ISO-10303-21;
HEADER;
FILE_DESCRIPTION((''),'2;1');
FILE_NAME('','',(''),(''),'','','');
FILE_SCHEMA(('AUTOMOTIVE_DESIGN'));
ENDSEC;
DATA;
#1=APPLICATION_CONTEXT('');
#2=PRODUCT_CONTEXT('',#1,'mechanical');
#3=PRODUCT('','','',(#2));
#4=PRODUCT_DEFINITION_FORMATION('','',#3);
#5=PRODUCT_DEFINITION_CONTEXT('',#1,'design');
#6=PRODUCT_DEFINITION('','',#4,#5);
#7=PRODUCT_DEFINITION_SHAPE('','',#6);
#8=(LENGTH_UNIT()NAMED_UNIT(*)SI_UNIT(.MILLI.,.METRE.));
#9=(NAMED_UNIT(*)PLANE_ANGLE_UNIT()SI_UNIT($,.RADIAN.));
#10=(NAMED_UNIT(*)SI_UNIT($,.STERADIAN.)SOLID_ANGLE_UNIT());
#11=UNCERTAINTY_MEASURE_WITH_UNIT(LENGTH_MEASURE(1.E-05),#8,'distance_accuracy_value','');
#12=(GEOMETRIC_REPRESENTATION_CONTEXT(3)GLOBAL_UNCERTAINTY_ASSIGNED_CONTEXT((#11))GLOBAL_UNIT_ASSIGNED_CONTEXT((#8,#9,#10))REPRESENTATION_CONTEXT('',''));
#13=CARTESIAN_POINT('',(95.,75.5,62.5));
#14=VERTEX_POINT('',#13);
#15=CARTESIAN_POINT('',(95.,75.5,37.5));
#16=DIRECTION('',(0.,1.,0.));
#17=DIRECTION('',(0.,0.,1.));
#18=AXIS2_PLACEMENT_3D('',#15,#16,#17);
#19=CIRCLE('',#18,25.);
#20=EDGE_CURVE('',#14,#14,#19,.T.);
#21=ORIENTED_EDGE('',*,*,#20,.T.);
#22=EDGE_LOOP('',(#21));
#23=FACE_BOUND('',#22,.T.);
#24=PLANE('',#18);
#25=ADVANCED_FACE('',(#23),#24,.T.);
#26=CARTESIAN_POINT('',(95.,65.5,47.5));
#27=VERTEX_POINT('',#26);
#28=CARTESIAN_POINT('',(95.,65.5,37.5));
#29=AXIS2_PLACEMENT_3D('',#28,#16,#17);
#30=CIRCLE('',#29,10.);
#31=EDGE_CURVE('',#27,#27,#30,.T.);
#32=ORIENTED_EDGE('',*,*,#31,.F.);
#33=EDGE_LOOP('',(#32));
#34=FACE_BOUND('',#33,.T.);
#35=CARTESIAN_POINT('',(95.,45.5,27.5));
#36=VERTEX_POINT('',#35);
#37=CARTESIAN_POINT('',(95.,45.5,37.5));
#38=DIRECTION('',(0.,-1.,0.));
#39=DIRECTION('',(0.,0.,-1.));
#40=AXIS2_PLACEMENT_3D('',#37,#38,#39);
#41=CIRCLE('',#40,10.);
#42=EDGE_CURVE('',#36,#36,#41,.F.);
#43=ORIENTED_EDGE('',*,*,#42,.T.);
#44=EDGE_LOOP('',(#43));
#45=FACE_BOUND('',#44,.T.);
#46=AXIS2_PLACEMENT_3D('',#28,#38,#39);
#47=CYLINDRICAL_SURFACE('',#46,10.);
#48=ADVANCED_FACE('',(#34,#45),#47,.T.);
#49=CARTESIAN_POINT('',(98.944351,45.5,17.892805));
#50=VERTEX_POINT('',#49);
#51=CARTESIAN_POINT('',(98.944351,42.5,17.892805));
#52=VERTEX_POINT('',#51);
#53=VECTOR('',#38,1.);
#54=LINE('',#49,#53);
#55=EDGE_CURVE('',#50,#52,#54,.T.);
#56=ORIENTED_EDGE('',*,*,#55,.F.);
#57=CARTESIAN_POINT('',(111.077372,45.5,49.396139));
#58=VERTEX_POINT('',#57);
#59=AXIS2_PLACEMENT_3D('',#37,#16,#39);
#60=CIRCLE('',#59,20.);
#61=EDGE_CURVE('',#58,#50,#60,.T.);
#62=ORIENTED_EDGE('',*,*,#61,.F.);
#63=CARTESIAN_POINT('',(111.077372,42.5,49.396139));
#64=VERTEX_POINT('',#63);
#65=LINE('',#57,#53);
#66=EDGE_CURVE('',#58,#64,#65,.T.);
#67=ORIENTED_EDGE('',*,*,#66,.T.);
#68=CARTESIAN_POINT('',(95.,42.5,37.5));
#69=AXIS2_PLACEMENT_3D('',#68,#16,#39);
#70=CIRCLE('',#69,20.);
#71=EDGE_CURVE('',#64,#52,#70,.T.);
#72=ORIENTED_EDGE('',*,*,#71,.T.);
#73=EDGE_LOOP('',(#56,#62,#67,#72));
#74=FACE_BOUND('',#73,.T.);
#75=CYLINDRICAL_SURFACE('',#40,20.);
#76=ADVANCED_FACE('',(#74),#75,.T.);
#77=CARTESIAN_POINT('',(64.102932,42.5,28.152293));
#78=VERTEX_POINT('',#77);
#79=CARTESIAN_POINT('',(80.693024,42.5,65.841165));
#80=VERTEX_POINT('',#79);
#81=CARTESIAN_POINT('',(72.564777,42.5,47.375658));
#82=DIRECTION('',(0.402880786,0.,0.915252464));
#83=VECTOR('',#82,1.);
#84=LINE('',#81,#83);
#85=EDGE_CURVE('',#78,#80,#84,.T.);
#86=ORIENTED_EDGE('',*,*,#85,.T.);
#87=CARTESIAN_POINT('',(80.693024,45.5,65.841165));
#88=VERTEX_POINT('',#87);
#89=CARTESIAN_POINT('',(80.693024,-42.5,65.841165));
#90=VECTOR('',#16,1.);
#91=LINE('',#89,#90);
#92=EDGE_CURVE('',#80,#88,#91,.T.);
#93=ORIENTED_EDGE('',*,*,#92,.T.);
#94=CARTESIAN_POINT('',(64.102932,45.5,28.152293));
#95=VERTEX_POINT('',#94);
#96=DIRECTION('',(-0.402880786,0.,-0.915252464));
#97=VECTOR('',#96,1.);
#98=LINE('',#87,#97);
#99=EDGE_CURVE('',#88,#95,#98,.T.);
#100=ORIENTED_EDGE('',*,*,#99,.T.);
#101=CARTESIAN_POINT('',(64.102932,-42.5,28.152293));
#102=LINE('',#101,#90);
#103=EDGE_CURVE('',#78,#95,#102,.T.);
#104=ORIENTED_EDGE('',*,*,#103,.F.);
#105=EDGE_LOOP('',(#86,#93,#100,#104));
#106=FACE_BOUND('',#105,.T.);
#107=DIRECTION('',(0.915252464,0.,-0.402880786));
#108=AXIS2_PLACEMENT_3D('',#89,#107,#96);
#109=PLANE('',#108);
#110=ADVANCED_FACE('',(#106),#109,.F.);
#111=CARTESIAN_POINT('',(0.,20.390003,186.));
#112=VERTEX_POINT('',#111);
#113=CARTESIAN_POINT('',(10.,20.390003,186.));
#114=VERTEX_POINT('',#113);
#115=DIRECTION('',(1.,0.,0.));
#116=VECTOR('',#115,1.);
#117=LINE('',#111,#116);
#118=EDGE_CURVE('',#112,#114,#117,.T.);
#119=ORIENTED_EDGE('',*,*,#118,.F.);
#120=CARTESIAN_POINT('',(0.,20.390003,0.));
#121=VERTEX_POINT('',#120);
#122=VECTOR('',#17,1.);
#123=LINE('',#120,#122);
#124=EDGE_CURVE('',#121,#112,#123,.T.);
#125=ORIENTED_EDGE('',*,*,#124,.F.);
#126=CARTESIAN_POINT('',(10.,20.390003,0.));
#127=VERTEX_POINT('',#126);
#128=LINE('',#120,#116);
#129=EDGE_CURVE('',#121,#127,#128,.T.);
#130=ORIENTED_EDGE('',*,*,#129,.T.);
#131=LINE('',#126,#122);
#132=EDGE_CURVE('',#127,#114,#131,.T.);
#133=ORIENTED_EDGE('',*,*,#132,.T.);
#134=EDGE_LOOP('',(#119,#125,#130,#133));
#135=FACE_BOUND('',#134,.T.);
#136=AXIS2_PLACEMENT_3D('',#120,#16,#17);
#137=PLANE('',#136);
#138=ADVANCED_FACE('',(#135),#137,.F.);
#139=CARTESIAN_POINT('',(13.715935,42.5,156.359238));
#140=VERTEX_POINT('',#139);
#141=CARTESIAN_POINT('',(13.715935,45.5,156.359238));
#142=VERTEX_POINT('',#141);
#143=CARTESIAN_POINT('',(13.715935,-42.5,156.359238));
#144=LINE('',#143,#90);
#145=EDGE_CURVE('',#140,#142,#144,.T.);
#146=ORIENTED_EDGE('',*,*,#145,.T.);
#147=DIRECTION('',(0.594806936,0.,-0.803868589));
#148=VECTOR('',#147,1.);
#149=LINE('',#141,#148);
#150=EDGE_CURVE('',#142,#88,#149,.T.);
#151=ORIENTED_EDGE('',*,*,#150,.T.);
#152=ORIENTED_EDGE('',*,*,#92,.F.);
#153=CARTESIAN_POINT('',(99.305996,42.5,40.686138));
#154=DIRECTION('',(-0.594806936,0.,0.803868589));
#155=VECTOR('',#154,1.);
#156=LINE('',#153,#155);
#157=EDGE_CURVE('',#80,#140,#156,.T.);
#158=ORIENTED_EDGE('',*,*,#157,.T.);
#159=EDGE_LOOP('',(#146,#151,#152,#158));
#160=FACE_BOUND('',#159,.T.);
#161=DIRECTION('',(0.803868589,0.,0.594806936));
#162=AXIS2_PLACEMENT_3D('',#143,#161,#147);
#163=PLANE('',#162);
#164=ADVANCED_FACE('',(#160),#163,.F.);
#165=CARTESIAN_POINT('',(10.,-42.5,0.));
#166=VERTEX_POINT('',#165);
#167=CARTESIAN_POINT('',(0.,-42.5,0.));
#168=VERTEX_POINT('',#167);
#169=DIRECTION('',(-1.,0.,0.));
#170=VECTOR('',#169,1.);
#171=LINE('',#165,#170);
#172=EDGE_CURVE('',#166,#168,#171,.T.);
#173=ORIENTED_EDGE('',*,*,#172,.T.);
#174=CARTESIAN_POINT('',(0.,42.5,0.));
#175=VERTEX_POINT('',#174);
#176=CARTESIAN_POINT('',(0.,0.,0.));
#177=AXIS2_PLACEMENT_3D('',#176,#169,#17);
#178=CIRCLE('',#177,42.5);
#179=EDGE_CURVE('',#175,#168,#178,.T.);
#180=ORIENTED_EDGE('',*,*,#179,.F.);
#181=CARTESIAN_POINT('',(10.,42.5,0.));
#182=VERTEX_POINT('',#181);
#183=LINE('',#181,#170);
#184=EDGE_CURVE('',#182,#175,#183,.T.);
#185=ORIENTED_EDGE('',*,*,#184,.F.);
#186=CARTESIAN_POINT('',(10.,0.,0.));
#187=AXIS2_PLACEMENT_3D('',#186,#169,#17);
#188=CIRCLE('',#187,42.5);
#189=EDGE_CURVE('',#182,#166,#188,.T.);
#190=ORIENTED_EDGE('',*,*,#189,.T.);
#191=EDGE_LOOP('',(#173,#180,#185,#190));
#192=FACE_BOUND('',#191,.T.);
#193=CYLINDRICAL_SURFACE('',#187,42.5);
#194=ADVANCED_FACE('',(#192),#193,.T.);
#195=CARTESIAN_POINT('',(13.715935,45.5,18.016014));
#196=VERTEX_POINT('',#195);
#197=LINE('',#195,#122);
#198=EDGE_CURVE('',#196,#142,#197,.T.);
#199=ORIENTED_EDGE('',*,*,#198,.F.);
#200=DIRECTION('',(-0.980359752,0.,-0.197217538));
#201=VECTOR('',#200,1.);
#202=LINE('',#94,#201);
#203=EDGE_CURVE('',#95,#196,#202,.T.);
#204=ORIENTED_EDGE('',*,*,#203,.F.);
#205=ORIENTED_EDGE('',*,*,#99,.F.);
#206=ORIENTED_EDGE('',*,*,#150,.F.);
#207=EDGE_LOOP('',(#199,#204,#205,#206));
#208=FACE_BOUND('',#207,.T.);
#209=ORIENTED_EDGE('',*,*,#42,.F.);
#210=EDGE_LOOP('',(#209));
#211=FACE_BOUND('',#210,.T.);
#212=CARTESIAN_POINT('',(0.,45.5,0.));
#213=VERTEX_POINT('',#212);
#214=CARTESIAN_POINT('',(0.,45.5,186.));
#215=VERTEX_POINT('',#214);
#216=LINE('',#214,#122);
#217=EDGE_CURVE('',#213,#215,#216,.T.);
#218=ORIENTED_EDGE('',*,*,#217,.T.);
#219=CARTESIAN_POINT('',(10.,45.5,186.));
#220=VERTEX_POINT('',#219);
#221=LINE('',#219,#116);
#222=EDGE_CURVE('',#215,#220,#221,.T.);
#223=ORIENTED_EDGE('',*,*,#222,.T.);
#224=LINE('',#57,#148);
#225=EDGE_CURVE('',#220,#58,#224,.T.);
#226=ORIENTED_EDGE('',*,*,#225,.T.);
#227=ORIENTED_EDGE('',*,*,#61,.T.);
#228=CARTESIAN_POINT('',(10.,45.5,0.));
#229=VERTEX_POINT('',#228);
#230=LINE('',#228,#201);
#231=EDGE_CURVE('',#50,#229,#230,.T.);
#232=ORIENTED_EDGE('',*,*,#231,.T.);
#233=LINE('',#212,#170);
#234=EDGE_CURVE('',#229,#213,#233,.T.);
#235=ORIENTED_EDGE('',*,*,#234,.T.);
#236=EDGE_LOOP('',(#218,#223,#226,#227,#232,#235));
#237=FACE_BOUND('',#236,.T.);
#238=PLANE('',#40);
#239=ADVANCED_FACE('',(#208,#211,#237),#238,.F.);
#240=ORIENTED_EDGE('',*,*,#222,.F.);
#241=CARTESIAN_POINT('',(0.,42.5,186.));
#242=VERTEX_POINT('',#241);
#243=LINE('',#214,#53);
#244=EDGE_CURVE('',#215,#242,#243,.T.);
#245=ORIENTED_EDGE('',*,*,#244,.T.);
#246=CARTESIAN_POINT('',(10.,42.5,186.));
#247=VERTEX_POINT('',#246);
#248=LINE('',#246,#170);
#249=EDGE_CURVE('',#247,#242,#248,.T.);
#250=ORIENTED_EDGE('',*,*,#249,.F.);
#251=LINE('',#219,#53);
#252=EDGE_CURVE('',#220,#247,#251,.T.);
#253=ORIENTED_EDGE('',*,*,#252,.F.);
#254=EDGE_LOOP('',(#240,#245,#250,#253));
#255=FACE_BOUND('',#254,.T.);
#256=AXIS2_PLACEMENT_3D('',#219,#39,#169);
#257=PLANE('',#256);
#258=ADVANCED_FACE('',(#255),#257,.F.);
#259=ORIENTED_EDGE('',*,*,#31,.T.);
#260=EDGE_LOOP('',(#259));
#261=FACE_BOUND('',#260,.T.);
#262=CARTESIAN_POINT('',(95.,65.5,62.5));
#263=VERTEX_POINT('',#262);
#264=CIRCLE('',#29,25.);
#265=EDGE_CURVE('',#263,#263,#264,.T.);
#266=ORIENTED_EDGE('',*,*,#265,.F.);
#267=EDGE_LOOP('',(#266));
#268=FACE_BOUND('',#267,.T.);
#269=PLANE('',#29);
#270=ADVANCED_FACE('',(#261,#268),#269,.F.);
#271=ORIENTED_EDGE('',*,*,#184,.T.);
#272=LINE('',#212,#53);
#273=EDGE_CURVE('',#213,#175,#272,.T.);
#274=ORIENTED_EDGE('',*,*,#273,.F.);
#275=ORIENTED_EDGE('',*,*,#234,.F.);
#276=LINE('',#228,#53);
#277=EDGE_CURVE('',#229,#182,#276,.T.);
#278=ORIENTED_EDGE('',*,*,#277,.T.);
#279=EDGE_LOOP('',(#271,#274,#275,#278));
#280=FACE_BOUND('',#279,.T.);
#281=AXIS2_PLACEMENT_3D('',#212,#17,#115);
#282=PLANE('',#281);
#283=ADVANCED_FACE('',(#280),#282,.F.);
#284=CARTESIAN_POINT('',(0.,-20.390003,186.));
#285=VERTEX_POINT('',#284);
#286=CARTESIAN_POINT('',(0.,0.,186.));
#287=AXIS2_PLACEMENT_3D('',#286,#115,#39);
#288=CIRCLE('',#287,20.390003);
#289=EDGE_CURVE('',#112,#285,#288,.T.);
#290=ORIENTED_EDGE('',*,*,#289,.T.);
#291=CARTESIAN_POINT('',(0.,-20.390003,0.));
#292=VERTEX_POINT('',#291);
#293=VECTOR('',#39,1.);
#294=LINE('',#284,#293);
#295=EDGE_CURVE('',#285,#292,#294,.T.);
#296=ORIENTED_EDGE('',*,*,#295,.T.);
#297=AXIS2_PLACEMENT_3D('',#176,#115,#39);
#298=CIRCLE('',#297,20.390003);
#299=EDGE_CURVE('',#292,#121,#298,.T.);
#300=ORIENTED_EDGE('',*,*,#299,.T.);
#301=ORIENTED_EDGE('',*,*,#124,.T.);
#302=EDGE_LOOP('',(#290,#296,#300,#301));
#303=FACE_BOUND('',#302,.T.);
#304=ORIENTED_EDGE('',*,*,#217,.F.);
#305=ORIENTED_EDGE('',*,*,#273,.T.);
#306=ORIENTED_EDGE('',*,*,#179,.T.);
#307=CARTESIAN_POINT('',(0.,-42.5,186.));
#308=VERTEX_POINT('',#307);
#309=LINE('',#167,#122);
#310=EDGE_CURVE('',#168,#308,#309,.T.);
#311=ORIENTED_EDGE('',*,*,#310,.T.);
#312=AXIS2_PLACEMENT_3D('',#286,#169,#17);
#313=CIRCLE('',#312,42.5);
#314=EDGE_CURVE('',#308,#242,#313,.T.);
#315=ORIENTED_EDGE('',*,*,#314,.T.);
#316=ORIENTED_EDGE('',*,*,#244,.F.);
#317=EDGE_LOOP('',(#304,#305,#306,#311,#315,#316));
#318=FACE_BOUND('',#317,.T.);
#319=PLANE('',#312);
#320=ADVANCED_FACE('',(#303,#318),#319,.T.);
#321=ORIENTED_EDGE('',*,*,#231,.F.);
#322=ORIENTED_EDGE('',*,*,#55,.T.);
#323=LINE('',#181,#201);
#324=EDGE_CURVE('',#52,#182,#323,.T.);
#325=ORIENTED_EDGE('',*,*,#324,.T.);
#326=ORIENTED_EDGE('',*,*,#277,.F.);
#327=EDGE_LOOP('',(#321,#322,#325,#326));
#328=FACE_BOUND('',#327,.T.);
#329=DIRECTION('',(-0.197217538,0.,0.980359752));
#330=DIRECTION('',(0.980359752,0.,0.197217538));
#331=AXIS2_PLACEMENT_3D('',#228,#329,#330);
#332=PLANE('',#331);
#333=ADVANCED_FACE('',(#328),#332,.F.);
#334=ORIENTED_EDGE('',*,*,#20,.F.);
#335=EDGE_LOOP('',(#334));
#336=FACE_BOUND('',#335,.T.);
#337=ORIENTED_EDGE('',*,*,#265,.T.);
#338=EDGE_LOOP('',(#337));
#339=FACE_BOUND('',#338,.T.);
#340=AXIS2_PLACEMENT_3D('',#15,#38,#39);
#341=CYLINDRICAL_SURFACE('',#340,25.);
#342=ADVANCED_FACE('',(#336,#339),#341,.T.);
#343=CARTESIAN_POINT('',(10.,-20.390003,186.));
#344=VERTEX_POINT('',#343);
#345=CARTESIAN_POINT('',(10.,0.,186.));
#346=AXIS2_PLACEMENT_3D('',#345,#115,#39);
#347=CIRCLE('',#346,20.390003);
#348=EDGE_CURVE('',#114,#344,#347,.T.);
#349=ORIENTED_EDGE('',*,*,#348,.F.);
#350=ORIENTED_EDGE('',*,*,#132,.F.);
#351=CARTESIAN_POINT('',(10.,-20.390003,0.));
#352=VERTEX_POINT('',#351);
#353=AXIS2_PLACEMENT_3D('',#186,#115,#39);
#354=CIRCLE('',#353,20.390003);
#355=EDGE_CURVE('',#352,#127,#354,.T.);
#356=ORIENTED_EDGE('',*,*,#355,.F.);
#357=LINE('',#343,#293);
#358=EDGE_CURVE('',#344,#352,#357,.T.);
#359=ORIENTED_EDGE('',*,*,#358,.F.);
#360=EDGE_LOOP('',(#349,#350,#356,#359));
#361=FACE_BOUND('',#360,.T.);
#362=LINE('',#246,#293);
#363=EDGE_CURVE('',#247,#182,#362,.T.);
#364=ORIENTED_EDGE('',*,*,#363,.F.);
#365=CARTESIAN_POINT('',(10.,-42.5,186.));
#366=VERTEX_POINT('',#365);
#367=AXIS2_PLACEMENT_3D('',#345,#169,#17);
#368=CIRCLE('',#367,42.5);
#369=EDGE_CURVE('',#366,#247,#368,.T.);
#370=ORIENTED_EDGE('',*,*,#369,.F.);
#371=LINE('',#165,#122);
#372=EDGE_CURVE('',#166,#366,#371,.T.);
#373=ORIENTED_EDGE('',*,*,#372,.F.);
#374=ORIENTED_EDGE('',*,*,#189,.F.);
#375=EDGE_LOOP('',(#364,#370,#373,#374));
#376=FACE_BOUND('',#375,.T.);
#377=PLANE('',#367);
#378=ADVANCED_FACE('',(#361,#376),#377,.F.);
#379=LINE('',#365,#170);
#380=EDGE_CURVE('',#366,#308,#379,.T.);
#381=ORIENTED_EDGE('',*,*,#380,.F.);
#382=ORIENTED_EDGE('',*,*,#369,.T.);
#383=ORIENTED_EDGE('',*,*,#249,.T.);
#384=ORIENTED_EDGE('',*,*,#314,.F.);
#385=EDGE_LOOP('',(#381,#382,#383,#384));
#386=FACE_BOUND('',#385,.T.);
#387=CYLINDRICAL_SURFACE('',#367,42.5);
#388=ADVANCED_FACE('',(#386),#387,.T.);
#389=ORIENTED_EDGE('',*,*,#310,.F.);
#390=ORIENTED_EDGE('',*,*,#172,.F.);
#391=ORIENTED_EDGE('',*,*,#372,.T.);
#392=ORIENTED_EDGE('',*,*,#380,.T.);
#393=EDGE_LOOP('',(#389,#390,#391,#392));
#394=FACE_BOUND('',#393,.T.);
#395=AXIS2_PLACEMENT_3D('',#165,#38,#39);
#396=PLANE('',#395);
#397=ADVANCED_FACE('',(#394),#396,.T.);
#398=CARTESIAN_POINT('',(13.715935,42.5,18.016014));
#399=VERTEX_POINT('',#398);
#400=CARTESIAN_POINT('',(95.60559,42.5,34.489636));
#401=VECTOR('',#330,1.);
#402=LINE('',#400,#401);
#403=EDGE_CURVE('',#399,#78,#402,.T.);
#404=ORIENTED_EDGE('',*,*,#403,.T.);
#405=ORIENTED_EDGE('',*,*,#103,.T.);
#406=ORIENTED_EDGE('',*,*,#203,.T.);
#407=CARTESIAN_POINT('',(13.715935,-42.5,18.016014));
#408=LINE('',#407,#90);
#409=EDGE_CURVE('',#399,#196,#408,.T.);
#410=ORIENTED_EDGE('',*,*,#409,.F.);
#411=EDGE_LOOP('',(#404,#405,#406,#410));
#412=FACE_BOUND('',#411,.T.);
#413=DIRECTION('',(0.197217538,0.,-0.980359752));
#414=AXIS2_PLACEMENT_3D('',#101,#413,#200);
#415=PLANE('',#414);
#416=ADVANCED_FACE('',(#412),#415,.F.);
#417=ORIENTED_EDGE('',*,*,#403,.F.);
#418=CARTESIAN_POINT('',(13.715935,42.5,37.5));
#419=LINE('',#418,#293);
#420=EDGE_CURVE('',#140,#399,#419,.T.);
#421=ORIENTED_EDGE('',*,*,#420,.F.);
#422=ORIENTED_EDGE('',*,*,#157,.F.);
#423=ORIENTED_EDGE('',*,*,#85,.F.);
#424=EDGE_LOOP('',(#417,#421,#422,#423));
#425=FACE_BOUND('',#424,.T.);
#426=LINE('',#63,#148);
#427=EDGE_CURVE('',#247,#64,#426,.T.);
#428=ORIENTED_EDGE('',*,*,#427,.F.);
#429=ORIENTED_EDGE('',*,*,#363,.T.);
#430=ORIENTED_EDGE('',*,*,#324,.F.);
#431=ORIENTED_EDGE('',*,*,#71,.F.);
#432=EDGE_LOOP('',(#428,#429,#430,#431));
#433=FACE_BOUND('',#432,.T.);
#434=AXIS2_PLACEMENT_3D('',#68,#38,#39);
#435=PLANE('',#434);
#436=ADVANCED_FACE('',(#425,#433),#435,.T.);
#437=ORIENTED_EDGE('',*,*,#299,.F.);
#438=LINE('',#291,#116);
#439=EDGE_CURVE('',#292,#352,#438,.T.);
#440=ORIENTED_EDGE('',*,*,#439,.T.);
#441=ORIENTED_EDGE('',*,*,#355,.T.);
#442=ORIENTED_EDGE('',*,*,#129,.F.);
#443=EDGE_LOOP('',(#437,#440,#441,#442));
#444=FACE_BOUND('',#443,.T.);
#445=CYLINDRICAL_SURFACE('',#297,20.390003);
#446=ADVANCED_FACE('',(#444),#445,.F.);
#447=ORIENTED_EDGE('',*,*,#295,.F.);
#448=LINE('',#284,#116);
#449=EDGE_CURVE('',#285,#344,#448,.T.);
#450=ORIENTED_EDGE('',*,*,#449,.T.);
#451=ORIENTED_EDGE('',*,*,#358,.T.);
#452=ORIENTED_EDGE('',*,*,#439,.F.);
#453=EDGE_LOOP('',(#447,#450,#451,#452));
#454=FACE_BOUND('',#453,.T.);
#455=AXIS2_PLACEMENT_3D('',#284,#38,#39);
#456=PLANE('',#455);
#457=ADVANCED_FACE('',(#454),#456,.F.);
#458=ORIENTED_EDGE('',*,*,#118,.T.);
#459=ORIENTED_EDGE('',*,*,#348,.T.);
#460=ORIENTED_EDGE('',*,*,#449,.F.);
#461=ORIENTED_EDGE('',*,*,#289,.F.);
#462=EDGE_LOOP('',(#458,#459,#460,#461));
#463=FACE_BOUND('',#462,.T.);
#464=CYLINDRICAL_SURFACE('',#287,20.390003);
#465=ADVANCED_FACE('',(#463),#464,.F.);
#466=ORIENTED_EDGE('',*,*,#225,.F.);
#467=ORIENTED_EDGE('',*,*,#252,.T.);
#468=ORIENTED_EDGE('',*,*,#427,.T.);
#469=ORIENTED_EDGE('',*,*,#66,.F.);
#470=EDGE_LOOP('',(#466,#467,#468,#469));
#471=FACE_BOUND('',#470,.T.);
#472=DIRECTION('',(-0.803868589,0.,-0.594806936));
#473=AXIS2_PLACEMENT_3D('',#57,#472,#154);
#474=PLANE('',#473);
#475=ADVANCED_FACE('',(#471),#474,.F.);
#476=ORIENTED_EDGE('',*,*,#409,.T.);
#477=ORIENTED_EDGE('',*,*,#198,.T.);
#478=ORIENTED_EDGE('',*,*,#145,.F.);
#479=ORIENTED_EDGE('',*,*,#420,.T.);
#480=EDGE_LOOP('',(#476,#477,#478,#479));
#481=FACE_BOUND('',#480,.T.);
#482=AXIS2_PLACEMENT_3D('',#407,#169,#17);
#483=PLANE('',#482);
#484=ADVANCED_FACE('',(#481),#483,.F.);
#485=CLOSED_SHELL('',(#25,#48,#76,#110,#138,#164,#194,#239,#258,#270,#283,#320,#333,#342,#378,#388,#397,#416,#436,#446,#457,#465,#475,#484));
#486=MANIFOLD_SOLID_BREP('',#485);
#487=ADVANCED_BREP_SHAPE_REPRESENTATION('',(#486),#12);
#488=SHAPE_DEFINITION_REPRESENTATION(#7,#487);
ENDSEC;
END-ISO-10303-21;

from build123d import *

# Parameters (mm, degrees)
BOSS_EXTRUDE1_DEPTH = 10
BOSS_EXTRUDE2_DEPTH = 3
SKETCH3_R           = 10
BOSS_EXTRUDE3_DEPTH = 20
CUT_EXTRUDE1_DEPTH  = 11
CUT_EXTRUDE2_DEPTH  = 89
SKETCH6_R           = 25
BOSS_EXTRUDE4_DEPTH = 10


with BuildPart() as part:
    # Sketch1 → Boss-Extrude1 (new body)
    with BuildSketch(Plane(origin=(0, 0, 0), x_dir=(0, -1, 0), z_dir=(-1, 0, 0))):
        with BuildLine():
            Line((-42.5, 186), (-42.5, 0))
            ThreePointArc((-42.5, 0), (0, -42.5), (42.5, 0))
            Line((42.5, 0), (42.5, 186))
            ThreePointArc((42.5, 186), (0, 228.5), (-42.5, 186))
        make_face()
    extrude(amount=-BOSS_EXTRUDE1_DEPTH)

    # Sketch2 → Boss-Extrude2 (add)
    with BuildSketch(Plane(origin=(0, 42.5, 0), x_dir=(-1, 0, 0), z_dir=(0, 1, 0))):
        with BuildLine():
            Line((-10, 0), (-98.944350751, 17.892804965))
            ThreePointArc((-98.944350751, 17.892804965), (-113.663663971, 30.311978912), (-111.07737178, 49.396138729))
            Line((-111.07737178, 49.396138729), (-10, 186))
            Line((-10, 186), (0, 186))
            Line((0, 186), (0, 0))
            Line((0, 0), (-10, 0))
        make_face()
    extrude(amount=BOSS_EXTRUDE2_DEPTH)

    # Sketch3 → Boss-Extrude3 (add)
    with BuildSketch(Plane(origin=(0, 45.5, 0), x_dir=(-1, 0, 0), z_dir=(0, 1, 0))):
        with Locations((-95, 37.5)):
            Circle(SKETCH3_R)
    extrude(amount=BOSS_EXTRUDE3_DEPTH)

    # Sketch4 → Cut-Extrude1 (cut, through all)
    with BuildSketch(Plane(origin=(10, 0, 0), x_dir=(0, 0, -1), z_dir=(1, 0, 0))):
        with BuildLine():
            Line((0, 20.390002673), (-186, 20.390002673))
            ThreePointArc((-186, 20.390002673), (-206.390002673, 0), (-186, -20.390002673))
            Line((-186, -20.390002673), (0, -20.390002673))
            ThreePointArc((0, -20.390002673), (20.390002673, 0), (0, 20.390002673))
        make_face()
    extrude(amount=-CUT_EXTRUDE1_DEPTH, mode=Mode.SUBTRACT)

    # Sketch5 → Cut-Extrude2 (cut, through all)
    with BuildSketch(Plane(origin=(0, 45.5, 0), x_dir=(-1, 0, 0), z_dir=(0, 1, 0))):
        Polygon((-64.102931729, 28.152292708), (-13.715935026, 18.016014269), (-13.715935026, 156.359237723), (-80.693023557, 65.841164794), align=None)
    extrude(amount=-CUT_EXTRUDE2_DEPTH, mode=Mode.SUBTRACT)

    # Sketch6 → Boss-Extrude4 (add)
    with BuildSketch(Plane(origin=(0, 65.5, 0), x_dir=(1, 0, 0), z_dir=(0, 1, 0))):
        with Locations((95, -37.5)):
            Circle(SKETCH6_R)
    extrude(amount=BOSS_EXTRUDE4_DEPTH)


solid = part.part
